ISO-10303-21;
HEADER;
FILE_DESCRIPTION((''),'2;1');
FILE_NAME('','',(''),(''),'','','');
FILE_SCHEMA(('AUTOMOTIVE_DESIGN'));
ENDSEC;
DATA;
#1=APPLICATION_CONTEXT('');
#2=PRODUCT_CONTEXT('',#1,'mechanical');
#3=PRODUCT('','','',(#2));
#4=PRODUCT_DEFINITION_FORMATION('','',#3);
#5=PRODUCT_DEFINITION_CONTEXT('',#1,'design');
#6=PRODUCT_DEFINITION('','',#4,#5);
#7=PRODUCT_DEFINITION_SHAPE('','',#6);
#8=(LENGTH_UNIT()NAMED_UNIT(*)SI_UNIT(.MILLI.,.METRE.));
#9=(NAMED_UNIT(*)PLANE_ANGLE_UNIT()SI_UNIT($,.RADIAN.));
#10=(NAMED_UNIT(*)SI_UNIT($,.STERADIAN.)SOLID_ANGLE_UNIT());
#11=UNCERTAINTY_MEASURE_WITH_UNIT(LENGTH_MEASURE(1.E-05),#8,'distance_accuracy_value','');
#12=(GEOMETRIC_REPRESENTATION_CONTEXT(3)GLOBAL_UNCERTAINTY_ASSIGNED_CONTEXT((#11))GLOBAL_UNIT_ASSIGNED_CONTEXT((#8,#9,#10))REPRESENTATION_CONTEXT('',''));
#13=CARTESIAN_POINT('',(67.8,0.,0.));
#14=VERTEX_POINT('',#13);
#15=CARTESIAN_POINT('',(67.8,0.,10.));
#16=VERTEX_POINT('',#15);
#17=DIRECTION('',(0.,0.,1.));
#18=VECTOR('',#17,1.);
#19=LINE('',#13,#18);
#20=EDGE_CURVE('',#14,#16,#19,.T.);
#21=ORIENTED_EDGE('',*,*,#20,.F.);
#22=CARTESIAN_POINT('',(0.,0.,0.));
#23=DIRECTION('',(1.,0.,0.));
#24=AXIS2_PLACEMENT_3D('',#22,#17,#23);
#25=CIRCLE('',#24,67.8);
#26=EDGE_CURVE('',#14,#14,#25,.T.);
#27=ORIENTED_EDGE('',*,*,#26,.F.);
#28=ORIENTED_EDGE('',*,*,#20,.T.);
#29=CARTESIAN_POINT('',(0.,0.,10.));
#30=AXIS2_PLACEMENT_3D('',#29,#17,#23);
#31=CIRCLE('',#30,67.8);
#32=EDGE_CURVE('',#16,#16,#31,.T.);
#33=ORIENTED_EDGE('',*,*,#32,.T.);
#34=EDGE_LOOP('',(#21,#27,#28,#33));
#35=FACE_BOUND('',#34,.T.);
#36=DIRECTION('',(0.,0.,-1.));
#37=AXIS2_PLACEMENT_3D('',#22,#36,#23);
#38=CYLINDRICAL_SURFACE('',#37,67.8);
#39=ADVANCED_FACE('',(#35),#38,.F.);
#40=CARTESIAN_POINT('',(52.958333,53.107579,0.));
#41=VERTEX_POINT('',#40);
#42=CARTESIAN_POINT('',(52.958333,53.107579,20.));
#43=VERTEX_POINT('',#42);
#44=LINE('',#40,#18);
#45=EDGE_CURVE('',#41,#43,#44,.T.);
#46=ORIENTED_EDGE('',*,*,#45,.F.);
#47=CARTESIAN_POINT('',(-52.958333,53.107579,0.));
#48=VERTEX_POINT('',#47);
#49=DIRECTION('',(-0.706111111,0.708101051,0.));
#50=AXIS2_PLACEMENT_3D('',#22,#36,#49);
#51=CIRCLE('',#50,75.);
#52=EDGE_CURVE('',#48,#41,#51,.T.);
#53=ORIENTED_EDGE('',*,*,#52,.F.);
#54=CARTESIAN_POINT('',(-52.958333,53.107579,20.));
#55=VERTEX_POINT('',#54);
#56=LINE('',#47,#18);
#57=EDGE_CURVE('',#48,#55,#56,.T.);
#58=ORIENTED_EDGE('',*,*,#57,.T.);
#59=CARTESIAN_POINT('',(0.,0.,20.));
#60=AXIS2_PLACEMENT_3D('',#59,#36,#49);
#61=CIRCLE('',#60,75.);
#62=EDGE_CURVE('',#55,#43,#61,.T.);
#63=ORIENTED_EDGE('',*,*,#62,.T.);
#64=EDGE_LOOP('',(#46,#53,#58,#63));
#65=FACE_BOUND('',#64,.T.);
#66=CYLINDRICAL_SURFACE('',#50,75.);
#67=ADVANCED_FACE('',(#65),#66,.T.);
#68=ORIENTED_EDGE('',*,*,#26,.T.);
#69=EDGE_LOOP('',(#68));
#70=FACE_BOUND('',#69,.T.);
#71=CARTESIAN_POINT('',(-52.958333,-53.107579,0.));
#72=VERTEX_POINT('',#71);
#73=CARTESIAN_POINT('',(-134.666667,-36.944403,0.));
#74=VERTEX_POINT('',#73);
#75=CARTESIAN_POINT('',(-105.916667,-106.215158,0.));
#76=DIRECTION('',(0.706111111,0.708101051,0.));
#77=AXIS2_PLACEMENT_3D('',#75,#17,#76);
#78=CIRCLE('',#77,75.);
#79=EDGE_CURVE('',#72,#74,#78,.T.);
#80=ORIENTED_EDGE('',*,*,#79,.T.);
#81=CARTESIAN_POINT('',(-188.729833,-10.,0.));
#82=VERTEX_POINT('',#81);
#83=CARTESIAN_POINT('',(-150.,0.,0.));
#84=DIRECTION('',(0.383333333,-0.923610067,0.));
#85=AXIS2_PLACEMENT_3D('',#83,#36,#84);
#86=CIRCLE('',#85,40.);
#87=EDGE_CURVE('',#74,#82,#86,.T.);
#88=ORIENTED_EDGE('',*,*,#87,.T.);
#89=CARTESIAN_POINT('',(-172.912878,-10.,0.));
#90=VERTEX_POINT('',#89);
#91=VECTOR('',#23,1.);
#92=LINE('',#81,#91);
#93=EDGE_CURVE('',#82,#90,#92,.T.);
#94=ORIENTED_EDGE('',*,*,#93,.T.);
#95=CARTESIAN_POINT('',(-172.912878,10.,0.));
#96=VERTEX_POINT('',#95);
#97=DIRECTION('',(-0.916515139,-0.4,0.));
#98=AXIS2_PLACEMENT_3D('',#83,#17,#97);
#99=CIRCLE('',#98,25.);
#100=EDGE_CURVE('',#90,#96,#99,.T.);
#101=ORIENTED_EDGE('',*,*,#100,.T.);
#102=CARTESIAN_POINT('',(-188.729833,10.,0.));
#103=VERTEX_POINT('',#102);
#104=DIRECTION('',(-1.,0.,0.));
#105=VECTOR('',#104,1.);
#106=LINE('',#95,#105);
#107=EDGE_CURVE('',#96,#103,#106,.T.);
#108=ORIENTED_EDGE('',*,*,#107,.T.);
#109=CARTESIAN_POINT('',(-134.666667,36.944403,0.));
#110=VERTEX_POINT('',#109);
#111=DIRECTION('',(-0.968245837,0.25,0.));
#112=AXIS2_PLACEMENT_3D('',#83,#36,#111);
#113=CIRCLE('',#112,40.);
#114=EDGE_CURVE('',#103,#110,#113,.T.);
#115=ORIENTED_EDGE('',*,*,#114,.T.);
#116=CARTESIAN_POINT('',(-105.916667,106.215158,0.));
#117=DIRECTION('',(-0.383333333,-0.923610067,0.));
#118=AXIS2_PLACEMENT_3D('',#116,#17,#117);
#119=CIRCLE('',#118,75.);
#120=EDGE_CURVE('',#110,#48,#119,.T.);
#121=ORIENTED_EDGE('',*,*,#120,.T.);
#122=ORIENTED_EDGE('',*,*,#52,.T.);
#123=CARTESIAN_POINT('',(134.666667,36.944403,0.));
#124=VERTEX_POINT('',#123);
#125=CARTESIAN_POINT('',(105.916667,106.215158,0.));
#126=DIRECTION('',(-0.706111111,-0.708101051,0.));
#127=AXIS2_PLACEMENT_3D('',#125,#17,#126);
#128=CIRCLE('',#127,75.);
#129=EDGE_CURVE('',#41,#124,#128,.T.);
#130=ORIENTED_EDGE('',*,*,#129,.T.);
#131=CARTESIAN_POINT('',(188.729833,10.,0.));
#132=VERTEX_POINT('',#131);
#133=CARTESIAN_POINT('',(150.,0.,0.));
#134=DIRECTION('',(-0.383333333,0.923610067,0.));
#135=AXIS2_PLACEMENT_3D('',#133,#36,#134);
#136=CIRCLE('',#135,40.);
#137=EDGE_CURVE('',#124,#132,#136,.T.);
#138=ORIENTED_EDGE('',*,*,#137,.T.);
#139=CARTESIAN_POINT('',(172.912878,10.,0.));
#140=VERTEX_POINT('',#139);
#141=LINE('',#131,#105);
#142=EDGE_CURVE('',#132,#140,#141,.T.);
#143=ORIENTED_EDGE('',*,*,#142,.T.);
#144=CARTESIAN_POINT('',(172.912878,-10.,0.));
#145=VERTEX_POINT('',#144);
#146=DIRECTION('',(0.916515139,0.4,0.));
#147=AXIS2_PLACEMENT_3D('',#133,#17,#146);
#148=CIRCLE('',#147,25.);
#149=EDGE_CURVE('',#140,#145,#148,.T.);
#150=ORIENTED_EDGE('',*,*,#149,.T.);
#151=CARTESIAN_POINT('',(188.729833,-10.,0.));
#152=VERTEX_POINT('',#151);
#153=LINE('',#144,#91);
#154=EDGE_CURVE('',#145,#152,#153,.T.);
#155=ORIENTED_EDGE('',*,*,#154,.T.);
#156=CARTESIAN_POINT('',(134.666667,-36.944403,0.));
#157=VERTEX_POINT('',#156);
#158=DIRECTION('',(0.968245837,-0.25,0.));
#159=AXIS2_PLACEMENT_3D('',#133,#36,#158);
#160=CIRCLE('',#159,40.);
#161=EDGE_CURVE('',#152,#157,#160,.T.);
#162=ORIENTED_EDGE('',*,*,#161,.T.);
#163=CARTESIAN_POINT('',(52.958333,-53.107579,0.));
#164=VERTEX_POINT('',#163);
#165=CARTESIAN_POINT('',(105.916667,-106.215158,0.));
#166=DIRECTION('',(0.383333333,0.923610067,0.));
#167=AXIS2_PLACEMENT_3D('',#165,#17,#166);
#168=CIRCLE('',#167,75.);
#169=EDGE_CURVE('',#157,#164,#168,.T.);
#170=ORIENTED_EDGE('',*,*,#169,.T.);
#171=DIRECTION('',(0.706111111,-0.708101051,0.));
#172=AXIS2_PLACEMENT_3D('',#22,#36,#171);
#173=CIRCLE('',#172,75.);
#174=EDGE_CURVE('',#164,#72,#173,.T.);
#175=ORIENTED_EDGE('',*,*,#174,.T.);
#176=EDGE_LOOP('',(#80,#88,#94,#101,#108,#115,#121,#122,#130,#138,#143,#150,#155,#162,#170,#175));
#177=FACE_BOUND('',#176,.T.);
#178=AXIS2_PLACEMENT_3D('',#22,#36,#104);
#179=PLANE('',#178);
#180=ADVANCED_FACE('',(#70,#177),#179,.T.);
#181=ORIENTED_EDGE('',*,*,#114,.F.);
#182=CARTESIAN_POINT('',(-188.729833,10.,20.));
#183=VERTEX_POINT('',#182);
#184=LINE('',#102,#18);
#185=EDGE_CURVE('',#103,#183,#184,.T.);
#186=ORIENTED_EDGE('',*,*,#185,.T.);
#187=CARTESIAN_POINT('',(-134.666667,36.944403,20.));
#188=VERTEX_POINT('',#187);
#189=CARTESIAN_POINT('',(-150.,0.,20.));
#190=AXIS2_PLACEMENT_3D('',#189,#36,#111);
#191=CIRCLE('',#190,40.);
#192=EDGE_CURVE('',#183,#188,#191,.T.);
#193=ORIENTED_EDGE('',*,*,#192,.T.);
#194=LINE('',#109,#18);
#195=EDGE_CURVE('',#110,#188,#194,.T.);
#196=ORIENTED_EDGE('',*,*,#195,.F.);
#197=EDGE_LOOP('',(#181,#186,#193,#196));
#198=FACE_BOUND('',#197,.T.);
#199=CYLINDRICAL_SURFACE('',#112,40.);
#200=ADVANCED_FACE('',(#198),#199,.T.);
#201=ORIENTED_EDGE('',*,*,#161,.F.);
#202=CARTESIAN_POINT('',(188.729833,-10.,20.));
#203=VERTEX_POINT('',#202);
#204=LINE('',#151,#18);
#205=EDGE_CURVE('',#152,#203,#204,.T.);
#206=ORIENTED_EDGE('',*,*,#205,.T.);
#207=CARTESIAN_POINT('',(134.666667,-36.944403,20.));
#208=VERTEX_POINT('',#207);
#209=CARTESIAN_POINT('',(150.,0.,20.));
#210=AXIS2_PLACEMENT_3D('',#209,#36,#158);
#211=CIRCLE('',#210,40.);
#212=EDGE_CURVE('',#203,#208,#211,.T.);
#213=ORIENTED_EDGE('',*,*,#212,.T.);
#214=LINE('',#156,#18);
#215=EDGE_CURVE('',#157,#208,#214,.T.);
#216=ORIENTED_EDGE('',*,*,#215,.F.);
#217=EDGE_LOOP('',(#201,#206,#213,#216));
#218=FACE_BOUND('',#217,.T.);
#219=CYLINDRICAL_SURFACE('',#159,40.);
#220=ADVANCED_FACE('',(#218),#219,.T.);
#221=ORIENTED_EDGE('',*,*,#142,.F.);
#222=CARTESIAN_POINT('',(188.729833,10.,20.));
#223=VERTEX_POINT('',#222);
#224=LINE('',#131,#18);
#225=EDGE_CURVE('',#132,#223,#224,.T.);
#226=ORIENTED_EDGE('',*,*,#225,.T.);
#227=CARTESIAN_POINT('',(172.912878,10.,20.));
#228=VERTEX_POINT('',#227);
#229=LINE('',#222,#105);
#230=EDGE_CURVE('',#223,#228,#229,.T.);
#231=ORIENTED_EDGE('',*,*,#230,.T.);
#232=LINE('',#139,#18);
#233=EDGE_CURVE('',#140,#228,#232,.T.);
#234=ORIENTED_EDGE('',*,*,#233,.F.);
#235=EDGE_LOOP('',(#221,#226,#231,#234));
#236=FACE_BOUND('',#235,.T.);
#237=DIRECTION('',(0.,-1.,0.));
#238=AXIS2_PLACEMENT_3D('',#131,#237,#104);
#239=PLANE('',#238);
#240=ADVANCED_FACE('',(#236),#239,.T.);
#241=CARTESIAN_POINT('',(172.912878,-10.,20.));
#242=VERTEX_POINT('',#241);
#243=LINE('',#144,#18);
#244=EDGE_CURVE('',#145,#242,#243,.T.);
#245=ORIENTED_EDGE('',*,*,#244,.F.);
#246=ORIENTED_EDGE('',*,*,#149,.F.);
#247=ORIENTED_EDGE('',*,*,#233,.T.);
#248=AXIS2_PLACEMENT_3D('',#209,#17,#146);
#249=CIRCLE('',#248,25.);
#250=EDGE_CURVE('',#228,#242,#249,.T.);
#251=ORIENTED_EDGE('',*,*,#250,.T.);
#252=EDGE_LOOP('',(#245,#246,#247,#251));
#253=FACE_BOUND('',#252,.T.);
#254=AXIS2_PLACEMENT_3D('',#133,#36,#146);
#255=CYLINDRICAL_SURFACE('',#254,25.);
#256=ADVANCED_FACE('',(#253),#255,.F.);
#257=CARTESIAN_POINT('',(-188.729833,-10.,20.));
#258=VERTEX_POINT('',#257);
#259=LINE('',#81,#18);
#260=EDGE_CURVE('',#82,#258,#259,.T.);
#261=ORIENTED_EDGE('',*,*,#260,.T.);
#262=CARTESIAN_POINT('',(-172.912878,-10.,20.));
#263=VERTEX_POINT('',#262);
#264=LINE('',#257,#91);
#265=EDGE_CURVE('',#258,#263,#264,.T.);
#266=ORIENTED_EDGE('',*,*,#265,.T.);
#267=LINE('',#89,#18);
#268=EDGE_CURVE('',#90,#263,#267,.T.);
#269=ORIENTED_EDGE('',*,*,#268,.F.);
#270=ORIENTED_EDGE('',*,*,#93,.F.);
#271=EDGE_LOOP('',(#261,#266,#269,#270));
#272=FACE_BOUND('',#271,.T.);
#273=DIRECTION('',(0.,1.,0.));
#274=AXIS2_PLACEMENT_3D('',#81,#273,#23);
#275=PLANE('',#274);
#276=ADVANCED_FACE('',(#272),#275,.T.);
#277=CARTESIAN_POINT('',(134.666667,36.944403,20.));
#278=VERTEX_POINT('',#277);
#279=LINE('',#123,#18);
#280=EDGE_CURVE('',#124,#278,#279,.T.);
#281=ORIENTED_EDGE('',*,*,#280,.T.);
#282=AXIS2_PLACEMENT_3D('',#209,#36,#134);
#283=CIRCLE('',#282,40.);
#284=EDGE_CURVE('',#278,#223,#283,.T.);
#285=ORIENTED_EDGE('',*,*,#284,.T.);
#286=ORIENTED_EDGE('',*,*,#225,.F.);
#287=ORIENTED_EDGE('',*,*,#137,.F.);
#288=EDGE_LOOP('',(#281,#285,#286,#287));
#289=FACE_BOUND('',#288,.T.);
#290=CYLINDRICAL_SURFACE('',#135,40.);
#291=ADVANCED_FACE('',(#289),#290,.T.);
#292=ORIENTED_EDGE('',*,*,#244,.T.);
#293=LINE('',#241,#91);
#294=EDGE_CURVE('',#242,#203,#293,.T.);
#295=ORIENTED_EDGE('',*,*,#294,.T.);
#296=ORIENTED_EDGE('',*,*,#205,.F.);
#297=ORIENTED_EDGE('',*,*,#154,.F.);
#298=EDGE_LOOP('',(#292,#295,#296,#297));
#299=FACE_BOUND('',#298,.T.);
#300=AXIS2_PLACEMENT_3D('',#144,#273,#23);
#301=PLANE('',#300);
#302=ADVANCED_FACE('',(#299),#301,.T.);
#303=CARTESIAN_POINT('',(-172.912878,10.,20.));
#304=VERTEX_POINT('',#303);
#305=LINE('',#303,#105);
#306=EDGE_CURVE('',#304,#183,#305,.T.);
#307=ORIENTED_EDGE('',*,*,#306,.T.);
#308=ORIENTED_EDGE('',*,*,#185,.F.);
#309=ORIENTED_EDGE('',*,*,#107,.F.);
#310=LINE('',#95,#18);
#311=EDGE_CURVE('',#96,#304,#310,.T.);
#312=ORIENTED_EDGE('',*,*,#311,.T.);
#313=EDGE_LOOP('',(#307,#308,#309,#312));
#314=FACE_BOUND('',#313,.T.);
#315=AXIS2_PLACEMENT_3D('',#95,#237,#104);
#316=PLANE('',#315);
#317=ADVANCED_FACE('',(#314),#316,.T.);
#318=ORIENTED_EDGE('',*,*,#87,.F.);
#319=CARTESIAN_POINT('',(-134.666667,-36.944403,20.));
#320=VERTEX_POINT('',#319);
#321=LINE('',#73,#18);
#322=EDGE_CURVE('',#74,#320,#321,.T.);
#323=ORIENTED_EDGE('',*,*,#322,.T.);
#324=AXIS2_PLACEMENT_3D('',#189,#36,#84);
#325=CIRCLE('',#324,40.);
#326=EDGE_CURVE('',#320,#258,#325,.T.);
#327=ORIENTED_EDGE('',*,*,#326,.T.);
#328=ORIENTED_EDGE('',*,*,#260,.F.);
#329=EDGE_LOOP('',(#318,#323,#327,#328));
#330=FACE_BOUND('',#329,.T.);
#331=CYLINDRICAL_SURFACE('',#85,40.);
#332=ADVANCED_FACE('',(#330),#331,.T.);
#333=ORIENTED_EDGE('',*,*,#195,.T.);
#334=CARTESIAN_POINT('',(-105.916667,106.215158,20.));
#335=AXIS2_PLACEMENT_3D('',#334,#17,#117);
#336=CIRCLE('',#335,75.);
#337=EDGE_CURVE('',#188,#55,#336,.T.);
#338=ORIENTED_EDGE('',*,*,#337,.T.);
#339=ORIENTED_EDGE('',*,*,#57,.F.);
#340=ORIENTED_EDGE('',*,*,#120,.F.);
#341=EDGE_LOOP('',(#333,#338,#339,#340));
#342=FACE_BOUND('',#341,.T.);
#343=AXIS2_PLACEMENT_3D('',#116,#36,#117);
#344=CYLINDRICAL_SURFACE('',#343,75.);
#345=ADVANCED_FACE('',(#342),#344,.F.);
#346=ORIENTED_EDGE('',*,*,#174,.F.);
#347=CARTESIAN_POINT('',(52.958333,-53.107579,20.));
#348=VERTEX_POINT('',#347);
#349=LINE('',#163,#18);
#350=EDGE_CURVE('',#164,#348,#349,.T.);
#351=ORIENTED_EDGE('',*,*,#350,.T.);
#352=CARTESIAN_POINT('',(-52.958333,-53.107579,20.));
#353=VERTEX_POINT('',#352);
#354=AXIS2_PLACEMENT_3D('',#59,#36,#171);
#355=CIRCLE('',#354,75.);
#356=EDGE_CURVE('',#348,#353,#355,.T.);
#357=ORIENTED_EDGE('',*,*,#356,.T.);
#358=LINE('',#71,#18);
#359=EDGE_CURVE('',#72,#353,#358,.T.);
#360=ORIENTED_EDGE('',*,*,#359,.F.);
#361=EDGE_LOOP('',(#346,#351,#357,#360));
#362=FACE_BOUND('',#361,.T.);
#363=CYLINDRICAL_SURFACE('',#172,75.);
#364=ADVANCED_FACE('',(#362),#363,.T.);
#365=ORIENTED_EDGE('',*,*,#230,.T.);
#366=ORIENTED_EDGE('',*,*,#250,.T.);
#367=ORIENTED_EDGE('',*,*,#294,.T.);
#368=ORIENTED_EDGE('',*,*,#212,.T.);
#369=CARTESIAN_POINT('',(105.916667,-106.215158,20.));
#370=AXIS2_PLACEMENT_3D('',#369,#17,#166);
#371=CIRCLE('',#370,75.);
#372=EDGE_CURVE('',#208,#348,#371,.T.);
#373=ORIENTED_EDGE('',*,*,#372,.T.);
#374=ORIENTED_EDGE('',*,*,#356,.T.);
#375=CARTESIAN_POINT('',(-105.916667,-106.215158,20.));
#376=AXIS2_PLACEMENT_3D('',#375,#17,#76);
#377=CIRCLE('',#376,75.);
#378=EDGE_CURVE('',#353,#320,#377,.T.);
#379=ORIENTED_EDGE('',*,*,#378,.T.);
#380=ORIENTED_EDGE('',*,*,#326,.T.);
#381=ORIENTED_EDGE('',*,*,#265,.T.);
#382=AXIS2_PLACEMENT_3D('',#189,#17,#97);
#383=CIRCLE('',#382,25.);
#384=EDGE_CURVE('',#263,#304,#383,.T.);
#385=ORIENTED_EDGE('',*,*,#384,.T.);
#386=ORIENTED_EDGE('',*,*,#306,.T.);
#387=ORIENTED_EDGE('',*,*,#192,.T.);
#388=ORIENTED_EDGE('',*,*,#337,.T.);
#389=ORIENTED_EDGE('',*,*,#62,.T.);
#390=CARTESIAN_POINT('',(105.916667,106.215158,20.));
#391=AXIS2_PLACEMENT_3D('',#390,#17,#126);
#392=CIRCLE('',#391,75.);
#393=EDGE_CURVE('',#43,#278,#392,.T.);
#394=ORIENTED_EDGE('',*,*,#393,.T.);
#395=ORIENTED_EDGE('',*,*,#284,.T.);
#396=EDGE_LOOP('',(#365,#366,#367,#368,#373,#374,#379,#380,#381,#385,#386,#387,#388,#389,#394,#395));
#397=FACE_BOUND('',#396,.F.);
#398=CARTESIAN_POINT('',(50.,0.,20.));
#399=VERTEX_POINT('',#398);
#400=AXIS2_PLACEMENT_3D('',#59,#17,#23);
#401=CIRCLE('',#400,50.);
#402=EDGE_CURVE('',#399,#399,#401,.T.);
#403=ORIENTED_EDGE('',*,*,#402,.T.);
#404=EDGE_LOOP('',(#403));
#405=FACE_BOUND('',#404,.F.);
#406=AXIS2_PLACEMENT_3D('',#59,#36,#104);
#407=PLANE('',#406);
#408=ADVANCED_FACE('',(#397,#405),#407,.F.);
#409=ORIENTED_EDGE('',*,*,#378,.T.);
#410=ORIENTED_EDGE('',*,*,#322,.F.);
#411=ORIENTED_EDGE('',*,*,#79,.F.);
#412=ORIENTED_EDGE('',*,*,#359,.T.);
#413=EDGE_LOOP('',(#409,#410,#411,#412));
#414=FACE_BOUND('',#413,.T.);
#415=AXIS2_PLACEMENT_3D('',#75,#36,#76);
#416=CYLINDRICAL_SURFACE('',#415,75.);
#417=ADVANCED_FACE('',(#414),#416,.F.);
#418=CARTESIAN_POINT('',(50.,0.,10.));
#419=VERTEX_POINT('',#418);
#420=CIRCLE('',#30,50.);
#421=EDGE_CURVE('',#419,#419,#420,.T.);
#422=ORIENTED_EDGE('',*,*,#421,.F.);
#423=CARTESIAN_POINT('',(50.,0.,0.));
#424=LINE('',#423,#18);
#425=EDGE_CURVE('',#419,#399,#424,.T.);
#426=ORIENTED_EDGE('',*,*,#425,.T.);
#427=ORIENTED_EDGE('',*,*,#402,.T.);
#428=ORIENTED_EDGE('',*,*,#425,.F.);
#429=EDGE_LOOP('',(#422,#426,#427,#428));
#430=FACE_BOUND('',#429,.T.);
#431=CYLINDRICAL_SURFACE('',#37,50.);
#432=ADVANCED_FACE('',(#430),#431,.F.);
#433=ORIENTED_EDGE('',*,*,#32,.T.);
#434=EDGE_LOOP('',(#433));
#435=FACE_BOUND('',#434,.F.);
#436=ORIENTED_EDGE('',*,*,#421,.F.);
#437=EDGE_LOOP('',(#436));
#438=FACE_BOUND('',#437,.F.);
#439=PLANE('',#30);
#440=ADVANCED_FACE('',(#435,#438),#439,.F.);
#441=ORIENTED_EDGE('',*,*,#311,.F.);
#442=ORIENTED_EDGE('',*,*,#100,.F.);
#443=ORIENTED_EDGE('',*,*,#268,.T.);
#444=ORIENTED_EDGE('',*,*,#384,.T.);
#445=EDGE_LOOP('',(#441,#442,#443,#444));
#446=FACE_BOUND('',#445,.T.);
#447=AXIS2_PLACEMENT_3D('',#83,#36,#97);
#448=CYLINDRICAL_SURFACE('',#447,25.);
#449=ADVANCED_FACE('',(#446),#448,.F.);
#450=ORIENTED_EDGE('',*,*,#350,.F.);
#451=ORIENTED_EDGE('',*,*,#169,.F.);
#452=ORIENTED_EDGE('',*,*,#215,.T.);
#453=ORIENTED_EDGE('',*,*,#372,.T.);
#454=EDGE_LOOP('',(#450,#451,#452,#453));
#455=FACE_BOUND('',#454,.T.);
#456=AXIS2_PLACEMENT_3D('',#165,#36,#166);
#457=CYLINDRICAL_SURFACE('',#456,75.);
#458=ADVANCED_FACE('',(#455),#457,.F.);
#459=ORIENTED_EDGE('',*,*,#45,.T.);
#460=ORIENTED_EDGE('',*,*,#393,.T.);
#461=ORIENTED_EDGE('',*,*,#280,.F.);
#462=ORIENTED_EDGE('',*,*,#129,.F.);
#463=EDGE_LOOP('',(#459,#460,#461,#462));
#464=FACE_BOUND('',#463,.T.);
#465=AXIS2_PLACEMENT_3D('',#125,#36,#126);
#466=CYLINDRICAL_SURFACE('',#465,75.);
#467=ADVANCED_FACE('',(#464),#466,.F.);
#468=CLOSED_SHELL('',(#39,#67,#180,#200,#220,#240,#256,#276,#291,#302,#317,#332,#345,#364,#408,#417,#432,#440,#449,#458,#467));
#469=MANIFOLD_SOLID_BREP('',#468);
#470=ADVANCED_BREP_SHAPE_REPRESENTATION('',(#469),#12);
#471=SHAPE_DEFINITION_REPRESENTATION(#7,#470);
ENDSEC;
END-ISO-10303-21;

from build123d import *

# Parameters (mm, degrees)
ESQUISSE1_R             = 50
BOSS_EXTRU_1_DEPTH      = 20
ESQUISSE1_3_R           = 67.8
ESQUISSE1_3_R_2         = 50
ENL_V_MAT_EXTRU_1_DEPTH = 10


with BuildPart() as part:
    # Esquisse1 → Boss.-Extru.1 (new body)
    with BuildSketch(Plane.XY):
        with BuildLine():
            Line((-172.912878475, -10), (-188.729833462, -10))
            ThreePointArc((-188.729833462, -10), (-167.842344673, -35.800149952), (-134.666666667, -36.944402673))
            ThreePointArc((-134.666666667, -36.944402673), (-91.362529225, -32.640861336), (-52.958333333, -53.107578843))
            ThreePointArc((-52.958333333, -53.107578843), (0, -75), (52.958333333, -53.107578843))
            ThreePointArc((52.958333333, -53.107578843), (91.362529225, -32.640861336), (134.666666667, -36.944402673))
            ThreePointArc((134.666666667, -36.944402673), (167.842344673, -35.800149952), (188.729833462, -10))
            Line((188.729833462, -10), (172.912878475, -10))
            ThreePointArc((172.912878475, -10), (125, 0), (172.912878475, 10))
            Line((172.912878475, 10), (188.729833462, 10))
            ThreePointArc((188.729833462, 10), (167.842344673, 35.800149952), (134.666666667, 36.944402673))
            ThreePointArc((134.666666667, 36.944402673), (91.362529225, 32.640861336), (52.958333333, 53.107578843))
            ThreePointArc((52.958333333, 53.107578843), (0, 75), (-52.958333333, 53.107578843))
            ThreePointArc((-52.958333333, 53.107578843), (-91.362529225, 32.640861336), (-134.666666667, 36.944402673))
            ThreePointArc((-134.666666667, 36.944402673), (-167.842344673, 35.800149952), (-188.729833462, 10))
            Line((-188.729833462, 10), (-172.912878475, 10))
            ThreePointArc((-172.912878475, 10), (-125, 0), (-172.912878475, -10))
        make_face()
        Circle(ESQUISSE1_R, mode=Mode.SUBTRACT)
    extrude(amount=BOSS_EXTRU_1_DEPTH)

    # Esquisse1_3 → Enl_v. mat.-Extru.1 (cut)
    with BuildSketch(Plane.XY):
        Circle(ESQUISSE1_3_R)
        Circle(ESQUISSE1_3_R_2, mode=Mode.SUBTRACT)
    extrude(amount=ENL_V_MAT_EXTRU_1_DEPTH, mode=Mode.SUBTRACT)


solid = part.part
